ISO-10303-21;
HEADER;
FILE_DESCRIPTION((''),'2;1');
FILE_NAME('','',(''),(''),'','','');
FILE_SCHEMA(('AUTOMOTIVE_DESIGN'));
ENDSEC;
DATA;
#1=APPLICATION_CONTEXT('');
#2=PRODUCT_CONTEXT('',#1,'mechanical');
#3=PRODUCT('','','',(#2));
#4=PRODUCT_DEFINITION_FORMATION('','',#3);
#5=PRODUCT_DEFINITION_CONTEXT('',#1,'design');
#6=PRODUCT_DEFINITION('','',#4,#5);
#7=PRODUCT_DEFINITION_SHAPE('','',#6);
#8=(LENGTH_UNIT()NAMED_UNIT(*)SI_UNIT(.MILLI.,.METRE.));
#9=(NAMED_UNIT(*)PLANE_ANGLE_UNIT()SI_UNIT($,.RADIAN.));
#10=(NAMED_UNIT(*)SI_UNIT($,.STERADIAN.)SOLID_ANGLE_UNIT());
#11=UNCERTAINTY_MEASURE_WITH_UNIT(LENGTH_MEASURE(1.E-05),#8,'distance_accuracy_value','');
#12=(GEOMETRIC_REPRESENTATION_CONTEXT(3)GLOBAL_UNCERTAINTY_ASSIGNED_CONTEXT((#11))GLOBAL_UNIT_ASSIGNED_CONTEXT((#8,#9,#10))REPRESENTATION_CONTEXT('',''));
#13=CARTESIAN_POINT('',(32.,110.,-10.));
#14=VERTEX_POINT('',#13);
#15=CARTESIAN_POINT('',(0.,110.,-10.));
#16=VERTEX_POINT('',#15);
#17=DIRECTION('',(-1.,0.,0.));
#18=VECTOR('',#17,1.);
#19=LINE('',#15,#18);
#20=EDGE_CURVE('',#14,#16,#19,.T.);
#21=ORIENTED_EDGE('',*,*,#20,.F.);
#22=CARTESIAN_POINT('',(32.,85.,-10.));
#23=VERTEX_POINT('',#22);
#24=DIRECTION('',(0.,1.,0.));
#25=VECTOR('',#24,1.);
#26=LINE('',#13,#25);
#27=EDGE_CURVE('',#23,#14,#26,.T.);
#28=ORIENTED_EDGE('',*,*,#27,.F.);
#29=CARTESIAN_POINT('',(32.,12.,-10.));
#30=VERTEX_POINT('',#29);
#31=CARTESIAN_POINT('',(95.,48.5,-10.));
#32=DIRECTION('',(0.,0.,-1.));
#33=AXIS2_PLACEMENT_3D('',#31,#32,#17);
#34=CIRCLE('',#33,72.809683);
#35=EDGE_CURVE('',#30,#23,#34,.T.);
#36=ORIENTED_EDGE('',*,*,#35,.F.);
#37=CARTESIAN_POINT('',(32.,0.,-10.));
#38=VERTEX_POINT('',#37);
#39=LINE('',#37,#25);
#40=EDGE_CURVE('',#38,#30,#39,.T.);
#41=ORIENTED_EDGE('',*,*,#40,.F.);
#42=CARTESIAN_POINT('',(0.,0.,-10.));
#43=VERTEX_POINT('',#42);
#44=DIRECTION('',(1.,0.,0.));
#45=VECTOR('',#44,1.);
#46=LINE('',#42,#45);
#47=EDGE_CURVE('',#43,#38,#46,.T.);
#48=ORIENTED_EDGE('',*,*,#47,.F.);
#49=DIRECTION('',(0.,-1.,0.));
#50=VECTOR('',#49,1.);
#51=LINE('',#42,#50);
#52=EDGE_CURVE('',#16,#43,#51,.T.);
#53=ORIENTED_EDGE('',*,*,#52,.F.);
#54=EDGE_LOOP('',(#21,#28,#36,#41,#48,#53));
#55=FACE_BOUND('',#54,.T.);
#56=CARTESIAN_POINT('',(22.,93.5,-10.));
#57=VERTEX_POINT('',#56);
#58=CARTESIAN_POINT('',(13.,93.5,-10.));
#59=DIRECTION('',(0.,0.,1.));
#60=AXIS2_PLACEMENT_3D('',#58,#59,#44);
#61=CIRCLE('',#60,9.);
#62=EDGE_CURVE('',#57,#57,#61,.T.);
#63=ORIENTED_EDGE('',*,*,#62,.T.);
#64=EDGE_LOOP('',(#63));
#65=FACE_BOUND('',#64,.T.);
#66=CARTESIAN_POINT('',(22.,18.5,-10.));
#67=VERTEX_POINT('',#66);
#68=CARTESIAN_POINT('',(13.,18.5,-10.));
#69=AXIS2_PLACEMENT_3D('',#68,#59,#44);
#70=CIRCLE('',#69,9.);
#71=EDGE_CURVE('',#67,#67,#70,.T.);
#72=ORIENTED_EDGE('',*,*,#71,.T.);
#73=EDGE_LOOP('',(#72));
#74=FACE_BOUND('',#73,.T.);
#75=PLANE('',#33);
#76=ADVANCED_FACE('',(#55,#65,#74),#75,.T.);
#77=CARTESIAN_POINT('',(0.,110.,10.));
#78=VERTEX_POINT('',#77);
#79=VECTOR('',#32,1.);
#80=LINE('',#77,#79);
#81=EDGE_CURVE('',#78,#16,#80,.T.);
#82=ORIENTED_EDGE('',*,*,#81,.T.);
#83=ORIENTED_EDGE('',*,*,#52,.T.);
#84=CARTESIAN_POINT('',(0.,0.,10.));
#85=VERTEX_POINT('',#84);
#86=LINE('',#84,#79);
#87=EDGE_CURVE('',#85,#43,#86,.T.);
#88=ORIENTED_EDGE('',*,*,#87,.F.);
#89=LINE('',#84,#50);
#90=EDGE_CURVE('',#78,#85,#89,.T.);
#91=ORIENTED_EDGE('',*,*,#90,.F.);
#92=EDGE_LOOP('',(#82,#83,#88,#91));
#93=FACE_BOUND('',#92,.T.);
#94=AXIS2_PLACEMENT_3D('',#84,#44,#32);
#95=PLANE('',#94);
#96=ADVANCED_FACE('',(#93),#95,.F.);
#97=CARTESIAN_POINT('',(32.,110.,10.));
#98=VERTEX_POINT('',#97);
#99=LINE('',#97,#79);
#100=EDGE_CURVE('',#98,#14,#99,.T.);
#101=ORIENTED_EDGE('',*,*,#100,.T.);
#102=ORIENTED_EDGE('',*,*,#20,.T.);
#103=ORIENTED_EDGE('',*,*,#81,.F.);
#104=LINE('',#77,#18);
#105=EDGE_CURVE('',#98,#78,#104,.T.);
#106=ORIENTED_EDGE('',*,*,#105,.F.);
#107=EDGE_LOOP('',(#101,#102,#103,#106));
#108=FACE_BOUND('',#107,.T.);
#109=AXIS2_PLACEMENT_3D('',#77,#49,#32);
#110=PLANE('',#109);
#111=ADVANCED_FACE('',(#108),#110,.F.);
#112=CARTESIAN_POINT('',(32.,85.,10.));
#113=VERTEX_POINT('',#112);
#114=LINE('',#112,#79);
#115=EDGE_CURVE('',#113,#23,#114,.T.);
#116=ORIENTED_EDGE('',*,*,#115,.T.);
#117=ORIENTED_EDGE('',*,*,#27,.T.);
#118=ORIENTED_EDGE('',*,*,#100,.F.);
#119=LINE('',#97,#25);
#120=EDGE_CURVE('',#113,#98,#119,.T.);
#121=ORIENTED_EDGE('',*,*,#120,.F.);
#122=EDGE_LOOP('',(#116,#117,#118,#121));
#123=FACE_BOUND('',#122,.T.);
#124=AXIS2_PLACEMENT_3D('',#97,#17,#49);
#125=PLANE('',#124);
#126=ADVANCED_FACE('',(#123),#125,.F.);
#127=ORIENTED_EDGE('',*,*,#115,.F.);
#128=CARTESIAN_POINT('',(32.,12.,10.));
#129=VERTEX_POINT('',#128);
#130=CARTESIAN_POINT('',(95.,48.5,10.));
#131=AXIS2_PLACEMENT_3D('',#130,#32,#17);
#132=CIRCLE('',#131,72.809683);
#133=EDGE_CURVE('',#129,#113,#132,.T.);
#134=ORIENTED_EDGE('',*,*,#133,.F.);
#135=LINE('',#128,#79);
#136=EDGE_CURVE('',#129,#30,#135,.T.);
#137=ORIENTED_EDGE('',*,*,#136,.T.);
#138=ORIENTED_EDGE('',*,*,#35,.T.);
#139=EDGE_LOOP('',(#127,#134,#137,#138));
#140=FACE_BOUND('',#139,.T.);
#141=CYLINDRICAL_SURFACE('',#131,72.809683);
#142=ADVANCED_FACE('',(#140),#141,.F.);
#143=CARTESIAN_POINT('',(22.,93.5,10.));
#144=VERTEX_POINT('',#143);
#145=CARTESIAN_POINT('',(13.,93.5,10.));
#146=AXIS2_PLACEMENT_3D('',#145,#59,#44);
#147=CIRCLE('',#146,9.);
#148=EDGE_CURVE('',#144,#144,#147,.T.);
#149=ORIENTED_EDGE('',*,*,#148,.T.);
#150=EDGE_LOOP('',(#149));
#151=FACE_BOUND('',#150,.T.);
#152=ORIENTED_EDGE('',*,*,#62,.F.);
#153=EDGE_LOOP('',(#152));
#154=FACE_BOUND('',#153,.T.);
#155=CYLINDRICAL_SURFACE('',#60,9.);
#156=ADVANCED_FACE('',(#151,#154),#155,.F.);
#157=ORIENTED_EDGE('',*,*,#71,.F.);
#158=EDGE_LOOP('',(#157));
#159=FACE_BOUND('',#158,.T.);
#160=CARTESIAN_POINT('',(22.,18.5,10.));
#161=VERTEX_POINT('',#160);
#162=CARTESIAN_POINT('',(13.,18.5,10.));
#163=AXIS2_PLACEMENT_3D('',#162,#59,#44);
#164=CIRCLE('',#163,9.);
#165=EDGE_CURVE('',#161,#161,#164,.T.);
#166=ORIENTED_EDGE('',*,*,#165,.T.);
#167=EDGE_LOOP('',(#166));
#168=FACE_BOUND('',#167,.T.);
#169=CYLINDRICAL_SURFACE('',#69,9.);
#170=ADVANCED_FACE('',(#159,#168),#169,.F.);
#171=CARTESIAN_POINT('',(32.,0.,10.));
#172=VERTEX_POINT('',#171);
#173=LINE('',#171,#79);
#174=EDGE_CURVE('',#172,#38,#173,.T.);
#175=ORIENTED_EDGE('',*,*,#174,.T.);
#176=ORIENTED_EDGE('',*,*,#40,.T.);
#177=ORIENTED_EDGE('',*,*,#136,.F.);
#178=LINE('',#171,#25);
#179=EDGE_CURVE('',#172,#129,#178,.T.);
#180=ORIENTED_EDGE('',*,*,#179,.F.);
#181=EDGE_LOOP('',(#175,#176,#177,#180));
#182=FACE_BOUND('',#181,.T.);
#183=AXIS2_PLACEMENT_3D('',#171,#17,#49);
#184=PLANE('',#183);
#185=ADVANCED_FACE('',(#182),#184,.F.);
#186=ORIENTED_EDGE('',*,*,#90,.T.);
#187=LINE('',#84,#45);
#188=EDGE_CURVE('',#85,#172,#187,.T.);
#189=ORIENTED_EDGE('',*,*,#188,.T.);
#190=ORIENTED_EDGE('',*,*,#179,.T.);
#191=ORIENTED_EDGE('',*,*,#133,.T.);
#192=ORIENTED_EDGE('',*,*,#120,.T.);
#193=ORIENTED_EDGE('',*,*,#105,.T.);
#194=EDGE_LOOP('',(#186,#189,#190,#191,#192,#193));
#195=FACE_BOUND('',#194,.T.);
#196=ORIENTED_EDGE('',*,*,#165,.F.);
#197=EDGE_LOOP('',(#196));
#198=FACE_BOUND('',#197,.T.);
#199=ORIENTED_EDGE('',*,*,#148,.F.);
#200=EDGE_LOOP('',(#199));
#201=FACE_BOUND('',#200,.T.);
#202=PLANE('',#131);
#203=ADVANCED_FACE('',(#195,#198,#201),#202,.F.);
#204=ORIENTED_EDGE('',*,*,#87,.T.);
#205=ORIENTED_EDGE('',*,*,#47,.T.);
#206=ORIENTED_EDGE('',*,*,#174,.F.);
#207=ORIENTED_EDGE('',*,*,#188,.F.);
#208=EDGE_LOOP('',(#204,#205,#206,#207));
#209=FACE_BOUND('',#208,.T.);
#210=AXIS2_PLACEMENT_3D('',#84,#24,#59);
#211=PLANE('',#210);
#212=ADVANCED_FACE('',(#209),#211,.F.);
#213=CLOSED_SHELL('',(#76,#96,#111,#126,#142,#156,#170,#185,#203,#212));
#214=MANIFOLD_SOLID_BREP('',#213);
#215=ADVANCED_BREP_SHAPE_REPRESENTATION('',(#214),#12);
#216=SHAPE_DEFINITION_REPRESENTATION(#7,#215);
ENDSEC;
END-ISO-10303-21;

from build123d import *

# Parameters (mm, degrees)
Y_KSEKLIK_EKSTR_ZYON1_DEPTH = 10
IZIM2_R                     = 9
KES_EKSTR_ZYON1_DEPTH       = 21


with BuildPart() as part:
    # Çizim1 → Yükseklik-Ekstrüzyon1 (new body, symmetric)
    with BuildSketch(Plane.XY):
        with BuildLine():
            Line((0, 0), (0, 110))
            Line((0, 110), (32, 110))
            Line((32, 110), (32, 85))
            ThreePointArc((32, 85), (22.190316578, 48.5), (32, 12))
            Line((32, 12), (32, 0))
            Line((32, 0), (0, 0))
        make_face()
    extrude(amount=Y_KSEKLIK_EKSTR_ZYON1_DEPTH, both=True)

    # Çizim2 → Kes-Ekstrüzyon1 (cut, through all)
    with BuildSketch(Plane.XY.offset(10)):
        with Locations((13, 93.5)):
            Circle(IZIM2_R)
        with Locations((13, 18.5)):
            Circle(IZIM2_R)
    extrude(amount=-KES_EKSTR_ZYON1_DEPTH, mode=Mode.SUBTRACT)


solid = part.part
